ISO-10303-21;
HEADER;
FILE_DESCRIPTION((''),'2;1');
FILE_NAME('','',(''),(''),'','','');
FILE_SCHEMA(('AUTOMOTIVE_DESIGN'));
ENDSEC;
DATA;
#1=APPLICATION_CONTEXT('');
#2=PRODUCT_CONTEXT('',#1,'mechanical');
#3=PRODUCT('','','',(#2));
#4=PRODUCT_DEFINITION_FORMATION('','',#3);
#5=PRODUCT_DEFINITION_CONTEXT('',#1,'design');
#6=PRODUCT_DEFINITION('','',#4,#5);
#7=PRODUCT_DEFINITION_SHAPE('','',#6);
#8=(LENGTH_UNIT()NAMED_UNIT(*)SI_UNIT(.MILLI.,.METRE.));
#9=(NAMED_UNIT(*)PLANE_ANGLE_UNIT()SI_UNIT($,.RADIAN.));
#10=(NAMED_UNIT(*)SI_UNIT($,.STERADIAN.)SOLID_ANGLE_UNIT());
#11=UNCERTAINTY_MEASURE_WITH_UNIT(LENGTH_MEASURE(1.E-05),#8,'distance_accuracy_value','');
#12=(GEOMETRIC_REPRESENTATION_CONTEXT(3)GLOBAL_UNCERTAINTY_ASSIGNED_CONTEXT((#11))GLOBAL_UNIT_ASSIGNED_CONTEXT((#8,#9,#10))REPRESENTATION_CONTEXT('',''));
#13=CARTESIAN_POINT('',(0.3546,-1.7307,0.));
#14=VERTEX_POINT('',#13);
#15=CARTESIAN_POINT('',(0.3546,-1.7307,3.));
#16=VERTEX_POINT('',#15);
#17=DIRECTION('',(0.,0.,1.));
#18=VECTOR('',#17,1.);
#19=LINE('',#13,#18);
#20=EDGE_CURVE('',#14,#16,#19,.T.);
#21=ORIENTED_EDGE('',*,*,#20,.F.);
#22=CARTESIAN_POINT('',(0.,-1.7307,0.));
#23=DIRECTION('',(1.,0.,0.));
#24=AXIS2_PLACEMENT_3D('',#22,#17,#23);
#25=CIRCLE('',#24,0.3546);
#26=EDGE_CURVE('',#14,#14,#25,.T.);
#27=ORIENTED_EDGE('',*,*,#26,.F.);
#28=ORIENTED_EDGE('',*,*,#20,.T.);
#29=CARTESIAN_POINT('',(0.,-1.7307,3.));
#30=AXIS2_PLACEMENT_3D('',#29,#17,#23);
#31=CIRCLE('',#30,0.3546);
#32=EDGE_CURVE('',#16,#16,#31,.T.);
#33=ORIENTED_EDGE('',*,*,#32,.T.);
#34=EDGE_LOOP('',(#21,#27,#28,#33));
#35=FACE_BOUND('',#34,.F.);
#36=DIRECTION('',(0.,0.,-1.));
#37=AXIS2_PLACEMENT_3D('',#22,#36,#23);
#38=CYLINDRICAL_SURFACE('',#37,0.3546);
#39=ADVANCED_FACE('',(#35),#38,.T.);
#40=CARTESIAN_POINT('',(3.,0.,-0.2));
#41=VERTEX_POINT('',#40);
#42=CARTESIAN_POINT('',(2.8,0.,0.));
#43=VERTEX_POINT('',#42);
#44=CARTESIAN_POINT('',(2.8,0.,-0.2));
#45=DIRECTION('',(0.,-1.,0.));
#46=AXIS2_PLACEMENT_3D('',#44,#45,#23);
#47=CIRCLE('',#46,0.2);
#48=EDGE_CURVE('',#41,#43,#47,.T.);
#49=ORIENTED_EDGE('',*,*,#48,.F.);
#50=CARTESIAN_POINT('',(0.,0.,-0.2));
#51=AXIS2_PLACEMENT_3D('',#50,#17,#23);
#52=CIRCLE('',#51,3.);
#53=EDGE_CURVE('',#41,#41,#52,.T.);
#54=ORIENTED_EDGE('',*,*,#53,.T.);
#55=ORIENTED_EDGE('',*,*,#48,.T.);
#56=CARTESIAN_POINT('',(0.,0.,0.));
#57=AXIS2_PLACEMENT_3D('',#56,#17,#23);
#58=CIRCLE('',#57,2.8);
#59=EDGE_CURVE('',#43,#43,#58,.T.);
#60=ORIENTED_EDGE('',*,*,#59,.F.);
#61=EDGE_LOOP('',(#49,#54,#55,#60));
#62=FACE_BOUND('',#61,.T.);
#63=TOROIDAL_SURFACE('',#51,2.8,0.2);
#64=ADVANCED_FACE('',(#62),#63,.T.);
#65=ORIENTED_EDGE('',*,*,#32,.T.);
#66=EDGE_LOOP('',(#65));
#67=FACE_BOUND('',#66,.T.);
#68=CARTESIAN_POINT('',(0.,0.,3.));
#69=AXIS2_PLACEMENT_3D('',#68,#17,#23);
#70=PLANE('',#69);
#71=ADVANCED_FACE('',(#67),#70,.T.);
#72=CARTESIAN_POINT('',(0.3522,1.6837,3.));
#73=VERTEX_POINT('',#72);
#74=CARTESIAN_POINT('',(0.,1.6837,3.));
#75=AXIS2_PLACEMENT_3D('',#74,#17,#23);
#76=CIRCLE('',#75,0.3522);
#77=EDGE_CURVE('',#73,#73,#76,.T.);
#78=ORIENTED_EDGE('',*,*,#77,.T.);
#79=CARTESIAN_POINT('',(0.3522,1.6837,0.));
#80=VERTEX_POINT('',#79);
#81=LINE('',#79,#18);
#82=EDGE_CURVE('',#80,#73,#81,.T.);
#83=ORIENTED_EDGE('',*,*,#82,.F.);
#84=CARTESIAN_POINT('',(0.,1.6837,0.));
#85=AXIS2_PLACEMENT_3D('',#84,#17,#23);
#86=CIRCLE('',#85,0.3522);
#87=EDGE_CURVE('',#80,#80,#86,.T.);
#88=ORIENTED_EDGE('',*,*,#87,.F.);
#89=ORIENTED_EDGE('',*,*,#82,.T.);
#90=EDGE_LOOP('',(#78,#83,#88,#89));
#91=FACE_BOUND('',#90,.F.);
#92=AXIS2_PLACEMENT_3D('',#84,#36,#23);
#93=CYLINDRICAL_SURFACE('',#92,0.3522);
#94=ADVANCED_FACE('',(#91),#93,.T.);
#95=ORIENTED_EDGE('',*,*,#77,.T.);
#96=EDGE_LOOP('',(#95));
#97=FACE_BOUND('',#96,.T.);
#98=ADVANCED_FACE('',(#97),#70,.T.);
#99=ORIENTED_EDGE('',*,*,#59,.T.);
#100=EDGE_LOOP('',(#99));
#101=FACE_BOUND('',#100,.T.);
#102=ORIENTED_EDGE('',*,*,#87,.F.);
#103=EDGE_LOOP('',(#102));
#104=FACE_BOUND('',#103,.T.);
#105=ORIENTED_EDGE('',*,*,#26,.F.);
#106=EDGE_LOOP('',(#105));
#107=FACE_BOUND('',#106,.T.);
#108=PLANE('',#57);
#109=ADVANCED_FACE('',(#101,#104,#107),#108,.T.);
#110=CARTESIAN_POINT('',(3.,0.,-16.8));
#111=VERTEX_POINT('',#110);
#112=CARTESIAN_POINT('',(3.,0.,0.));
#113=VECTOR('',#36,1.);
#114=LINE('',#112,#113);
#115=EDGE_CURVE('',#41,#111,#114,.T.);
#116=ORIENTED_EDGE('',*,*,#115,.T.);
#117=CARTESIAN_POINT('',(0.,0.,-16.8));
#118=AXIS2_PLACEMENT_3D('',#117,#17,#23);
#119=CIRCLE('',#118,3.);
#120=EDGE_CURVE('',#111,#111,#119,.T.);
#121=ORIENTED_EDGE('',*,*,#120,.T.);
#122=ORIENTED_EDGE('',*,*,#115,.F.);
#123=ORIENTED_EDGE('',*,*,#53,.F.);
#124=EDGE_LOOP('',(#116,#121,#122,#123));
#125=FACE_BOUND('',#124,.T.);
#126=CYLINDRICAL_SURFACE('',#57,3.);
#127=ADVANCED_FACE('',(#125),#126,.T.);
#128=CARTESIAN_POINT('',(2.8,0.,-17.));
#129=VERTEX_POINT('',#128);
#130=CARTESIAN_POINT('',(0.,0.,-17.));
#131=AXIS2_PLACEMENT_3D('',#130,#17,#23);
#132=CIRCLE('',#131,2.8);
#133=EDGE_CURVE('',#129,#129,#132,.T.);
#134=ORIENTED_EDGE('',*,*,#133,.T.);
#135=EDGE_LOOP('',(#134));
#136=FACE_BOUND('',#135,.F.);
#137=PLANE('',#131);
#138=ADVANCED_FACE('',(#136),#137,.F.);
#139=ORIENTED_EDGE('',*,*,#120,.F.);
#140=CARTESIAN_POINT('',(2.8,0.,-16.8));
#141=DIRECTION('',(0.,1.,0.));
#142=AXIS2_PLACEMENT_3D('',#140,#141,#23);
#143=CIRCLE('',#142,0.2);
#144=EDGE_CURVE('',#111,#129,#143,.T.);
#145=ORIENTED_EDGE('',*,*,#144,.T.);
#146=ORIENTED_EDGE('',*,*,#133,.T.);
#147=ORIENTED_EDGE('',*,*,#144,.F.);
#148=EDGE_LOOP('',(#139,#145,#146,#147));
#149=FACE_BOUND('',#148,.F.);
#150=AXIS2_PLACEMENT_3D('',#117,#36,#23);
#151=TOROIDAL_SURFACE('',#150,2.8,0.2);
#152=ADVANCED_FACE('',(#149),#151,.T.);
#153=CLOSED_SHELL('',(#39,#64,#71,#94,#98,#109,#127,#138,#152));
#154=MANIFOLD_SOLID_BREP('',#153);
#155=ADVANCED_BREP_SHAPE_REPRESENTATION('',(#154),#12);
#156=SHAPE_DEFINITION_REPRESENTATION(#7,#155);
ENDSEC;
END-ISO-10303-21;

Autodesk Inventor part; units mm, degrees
ref_plane "YZ Plane" through (0, 0, 0) normal (1, 0, 0) x (0, 1, 0)
ref_plane "XZ Plane" through (0, 0, 0) normal (0, 1, 0) x (-1, 0, 0)
ref_plane "XY Plane" through (0, 0, 0) normal (0, 0, 1) x (1, 0, 0)
sketch "Эскиз1" plane through (0, 0, 0) normal (0, 0, 1) x (1, 0, 0)
  circle A0 centre (0, 0) radius 3
  circle A1 centre (0, 1.6837) radius 0.3522
  circle A2 centre (0, -1.7307) radius 0.3546
  dimension "d0" = 6
extrude "Выдавливание1" add sketch "Эскиз1" against normal blind 17 contours A0 | A1 | A2
extrude "Выдавливание2" add sketch "Эскиз1" along normal blind 3 contours A1 | A2
fillet "Сопряжение1" radius 0.2 2 edges at (-3, 0, 0) (-3, 0, -17)
properties part number "термодатчик"
